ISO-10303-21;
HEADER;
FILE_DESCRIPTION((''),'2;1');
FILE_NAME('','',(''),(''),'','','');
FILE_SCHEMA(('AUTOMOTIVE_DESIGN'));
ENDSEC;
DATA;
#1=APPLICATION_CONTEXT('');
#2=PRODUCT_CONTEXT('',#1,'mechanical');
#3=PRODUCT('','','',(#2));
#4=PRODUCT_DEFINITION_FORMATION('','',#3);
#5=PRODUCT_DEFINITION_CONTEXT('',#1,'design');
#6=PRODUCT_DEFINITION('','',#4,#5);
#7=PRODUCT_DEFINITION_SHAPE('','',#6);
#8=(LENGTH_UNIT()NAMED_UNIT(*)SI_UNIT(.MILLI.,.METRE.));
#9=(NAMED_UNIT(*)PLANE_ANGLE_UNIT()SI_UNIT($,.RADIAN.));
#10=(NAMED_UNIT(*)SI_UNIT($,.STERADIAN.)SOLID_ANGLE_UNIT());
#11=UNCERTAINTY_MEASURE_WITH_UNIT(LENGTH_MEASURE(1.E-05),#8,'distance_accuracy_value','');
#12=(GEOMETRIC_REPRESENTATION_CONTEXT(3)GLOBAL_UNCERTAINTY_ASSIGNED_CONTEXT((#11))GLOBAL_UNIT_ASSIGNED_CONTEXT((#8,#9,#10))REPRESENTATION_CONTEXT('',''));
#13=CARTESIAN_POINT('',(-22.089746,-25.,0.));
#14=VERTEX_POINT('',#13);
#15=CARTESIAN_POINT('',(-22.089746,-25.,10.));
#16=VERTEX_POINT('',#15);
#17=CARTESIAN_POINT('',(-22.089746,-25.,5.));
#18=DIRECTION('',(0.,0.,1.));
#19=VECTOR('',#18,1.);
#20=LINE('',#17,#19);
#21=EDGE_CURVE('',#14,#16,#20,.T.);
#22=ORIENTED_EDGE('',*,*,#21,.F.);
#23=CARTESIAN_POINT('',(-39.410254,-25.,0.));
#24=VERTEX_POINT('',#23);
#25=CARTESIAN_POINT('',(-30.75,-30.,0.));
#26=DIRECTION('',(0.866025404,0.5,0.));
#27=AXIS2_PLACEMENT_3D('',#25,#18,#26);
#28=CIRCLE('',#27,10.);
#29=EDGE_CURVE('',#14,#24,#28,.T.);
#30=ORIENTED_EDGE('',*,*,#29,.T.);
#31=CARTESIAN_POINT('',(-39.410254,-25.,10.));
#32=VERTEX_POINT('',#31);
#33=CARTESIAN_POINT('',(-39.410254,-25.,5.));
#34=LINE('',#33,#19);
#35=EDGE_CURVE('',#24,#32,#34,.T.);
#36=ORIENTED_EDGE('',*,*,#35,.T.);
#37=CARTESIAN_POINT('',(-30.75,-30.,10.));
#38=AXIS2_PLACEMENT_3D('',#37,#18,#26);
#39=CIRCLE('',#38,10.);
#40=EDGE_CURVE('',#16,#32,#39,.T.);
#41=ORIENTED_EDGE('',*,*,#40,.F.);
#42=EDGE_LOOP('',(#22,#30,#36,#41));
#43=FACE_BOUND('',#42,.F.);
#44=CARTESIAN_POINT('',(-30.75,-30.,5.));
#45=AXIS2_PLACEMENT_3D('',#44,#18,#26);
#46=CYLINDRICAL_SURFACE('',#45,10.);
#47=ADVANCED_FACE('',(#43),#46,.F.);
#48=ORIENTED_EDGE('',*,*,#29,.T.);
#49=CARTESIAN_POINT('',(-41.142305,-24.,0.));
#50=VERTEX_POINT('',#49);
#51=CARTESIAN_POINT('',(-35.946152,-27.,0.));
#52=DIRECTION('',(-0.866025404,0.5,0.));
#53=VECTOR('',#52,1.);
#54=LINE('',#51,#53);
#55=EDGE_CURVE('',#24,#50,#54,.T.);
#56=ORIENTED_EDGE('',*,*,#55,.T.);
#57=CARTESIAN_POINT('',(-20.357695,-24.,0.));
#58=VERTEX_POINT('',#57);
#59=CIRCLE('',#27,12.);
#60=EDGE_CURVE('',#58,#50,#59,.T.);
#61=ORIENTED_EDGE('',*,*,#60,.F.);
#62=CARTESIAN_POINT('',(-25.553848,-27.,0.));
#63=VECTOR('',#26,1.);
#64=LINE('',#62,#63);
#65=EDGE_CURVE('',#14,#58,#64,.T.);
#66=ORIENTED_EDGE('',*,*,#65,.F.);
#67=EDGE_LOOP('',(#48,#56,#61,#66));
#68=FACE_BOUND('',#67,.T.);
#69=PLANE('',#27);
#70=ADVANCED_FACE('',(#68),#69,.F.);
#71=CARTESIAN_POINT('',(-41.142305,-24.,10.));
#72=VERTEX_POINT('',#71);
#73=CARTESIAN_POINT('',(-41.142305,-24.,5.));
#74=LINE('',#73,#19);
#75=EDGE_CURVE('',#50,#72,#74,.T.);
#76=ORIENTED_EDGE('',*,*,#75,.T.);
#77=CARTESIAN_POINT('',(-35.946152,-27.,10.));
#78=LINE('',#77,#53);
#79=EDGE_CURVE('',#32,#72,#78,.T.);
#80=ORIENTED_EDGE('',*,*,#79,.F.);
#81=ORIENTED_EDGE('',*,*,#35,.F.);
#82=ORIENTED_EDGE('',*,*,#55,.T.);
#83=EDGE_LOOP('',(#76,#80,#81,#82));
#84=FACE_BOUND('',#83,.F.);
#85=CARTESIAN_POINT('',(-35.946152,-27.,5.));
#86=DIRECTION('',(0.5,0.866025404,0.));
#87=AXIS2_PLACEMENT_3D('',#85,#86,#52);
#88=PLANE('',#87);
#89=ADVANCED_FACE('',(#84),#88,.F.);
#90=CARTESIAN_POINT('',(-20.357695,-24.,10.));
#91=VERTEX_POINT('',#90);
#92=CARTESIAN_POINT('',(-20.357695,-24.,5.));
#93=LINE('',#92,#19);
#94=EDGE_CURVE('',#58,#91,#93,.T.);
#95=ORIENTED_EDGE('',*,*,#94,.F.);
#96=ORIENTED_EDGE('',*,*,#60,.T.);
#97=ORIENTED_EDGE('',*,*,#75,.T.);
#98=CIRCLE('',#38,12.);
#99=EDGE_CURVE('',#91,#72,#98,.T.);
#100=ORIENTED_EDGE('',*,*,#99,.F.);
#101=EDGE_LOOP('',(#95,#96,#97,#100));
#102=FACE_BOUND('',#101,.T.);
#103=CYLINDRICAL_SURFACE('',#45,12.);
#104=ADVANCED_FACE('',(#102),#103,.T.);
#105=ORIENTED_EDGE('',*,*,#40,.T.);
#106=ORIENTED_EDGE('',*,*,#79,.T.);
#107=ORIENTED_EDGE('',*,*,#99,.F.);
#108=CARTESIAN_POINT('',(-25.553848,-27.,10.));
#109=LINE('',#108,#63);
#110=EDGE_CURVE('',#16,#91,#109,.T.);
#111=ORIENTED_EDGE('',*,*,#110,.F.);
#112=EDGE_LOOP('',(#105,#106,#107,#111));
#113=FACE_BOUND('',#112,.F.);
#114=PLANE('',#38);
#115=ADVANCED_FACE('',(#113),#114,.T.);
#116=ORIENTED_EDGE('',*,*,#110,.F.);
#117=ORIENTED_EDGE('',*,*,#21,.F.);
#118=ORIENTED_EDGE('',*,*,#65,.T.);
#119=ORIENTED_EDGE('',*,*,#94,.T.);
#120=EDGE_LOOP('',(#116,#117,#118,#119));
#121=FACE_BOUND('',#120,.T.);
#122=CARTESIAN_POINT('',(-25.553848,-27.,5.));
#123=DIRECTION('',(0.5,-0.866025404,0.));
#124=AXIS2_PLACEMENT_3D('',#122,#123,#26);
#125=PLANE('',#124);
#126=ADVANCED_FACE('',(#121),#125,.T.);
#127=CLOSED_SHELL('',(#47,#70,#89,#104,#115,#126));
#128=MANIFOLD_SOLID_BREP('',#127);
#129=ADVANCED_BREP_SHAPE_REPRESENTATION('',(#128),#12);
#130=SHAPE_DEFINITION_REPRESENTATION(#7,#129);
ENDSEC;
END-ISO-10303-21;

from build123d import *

# Parameters (mm, degrees)
CYLINDER019_W               = 10
CYLINDER019_H               = 10
CYLINDER019_ANGLE           = 120
CYLINDER019_PLACEMENT_ANGLE = 30
CYLINDER017_W               = 12
CYLINDER017_H               = 10
CYLINDER017_ANGLE           = 120
CYLINDER017_PLACEMENT_ANGLE = 30


with BuildPart() as cilindro010:
    # Cylinder019 → Cylinder019 (revolve)
    with BuildSketch(Plane.XZ):
        with Locations((5, 5)):
            Rectangle(CYLINDER019_W, CYLINDER019_H)
    revolve(axis=Axis((0, 0, 0), (0, 0, 1)), revolution_arc=CYLINDER019_ANGLE)


with BuildPart() as cilindro010_1:
    # Cylinder019 placement: moved
    add(cilindro010.part.moved(Location((-30.75, -30, 0))).rotate(Axis((-30.75, -30, 0), (0, 0, 1)), CYLINDER019_PLACEMENT_ANGLE))


with BuildPart() as inalambrico_grande001:
    # Cylinder017 → Cylinder017 (revolve)
    with BuildSketch(Plane.XZ):
        with Locations((6, 5)):
            Rectangle(CYLINDER017_W, CYLINDER017_H)
    revolve(axis=Axis((0, 0, 0), (0, 0, 1)), revolution_arc=CYLINDER017_ANGLE)


with BuildPart() as inalambrico_grande001_1:
    # Cylinder017 placement: moved
    add(inalambrico_grande001.part.moved(Location((-30.75, -30, 0))).rotate(Axis((-30.75, -30, 0), (0, 0, 1)), CYLINDER017_PLACEMENT_ANGLE))

    # Cut006: cut Cilindro010
    add(cilindro010_1.part, mode=Mode.SUBTRACT)


solid = inalambrico_grande001_1.part
